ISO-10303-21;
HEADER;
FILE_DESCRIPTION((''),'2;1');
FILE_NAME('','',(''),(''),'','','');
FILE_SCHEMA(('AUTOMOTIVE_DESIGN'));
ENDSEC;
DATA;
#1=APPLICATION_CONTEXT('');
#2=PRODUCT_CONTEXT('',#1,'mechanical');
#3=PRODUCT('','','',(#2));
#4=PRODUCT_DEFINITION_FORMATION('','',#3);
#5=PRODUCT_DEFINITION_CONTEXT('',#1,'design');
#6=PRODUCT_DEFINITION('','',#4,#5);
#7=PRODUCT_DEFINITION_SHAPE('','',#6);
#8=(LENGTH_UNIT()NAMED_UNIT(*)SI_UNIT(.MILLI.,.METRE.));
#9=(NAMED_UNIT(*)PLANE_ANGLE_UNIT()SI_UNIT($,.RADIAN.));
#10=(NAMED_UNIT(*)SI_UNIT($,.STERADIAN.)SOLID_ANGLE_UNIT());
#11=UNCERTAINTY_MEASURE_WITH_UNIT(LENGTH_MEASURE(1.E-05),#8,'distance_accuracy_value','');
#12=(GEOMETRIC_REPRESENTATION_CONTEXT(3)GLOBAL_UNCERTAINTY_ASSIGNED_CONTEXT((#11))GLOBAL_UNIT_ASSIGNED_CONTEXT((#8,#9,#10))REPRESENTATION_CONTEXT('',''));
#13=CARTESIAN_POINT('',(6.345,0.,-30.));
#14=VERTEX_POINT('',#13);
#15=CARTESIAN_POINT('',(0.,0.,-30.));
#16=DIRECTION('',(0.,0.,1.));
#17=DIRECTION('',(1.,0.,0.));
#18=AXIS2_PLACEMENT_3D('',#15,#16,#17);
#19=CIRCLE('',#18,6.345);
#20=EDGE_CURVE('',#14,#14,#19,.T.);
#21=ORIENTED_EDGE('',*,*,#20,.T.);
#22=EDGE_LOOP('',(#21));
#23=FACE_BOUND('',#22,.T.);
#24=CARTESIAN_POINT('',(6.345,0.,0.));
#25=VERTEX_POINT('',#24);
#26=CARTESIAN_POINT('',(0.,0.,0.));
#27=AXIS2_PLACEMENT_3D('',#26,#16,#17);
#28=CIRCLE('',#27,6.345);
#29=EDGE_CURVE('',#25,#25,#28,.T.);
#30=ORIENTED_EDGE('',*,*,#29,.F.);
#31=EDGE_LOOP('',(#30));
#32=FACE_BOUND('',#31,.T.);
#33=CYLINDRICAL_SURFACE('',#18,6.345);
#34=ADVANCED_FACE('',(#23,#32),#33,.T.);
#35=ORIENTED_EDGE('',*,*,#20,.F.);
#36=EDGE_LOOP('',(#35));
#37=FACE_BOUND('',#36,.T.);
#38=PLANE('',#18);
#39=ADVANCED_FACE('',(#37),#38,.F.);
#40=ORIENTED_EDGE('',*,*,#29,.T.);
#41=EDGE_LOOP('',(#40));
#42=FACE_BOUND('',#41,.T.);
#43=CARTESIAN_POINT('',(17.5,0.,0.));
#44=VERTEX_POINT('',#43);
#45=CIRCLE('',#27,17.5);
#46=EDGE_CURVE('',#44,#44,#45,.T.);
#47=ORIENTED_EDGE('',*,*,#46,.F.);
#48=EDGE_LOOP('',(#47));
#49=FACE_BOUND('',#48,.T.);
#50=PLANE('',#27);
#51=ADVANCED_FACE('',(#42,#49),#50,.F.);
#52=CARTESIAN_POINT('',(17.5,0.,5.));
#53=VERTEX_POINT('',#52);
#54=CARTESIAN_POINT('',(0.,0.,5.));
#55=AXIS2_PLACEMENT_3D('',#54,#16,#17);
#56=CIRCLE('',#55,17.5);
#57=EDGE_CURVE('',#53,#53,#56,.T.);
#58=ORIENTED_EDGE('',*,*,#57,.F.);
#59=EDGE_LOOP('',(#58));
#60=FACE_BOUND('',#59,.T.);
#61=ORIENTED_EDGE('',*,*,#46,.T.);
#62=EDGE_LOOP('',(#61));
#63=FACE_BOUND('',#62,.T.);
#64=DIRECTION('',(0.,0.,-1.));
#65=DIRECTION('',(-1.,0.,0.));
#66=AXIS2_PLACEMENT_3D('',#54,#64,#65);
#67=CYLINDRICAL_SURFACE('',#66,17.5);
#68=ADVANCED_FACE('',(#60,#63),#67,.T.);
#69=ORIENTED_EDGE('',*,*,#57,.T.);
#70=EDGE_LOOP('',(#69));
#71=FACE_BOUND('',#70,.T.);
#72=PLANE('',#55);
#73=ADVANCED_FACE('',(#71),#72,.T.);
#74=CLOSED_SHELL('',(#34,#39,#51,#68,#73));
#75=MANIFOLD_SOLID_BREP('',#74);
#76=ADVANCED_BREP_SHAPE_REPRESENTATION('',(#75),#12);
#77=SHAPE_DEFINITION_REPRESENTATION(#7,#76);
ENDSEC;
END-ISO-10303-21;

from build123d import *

# Parameters (mm, degrees)
SKETCH1_R           = 17.5
BOSS_EXTRUDE1_DEPTH = 5
SKETCH1_3_R         = 6.345
BOSS_EXTRUDE2_DEPTH = 30


with BuildPart() as part:
    # Sketch1 → Boss-Extrude1 (new body)
    with BuildSketch(Plane.XY):
        Circle(SKETCH1_R)
    extrude(amount=BOSS_EXTRUDE1_DEPTH)

    # Sketch1<3> → Boss-Extrude2 (add)
    with BuildSketch(Plane.XY):
        Circle(SKETCH1_3_R)
    extrude(amount=-BOSS_EXTRUDE2_DEPTH)


solid = part.part
